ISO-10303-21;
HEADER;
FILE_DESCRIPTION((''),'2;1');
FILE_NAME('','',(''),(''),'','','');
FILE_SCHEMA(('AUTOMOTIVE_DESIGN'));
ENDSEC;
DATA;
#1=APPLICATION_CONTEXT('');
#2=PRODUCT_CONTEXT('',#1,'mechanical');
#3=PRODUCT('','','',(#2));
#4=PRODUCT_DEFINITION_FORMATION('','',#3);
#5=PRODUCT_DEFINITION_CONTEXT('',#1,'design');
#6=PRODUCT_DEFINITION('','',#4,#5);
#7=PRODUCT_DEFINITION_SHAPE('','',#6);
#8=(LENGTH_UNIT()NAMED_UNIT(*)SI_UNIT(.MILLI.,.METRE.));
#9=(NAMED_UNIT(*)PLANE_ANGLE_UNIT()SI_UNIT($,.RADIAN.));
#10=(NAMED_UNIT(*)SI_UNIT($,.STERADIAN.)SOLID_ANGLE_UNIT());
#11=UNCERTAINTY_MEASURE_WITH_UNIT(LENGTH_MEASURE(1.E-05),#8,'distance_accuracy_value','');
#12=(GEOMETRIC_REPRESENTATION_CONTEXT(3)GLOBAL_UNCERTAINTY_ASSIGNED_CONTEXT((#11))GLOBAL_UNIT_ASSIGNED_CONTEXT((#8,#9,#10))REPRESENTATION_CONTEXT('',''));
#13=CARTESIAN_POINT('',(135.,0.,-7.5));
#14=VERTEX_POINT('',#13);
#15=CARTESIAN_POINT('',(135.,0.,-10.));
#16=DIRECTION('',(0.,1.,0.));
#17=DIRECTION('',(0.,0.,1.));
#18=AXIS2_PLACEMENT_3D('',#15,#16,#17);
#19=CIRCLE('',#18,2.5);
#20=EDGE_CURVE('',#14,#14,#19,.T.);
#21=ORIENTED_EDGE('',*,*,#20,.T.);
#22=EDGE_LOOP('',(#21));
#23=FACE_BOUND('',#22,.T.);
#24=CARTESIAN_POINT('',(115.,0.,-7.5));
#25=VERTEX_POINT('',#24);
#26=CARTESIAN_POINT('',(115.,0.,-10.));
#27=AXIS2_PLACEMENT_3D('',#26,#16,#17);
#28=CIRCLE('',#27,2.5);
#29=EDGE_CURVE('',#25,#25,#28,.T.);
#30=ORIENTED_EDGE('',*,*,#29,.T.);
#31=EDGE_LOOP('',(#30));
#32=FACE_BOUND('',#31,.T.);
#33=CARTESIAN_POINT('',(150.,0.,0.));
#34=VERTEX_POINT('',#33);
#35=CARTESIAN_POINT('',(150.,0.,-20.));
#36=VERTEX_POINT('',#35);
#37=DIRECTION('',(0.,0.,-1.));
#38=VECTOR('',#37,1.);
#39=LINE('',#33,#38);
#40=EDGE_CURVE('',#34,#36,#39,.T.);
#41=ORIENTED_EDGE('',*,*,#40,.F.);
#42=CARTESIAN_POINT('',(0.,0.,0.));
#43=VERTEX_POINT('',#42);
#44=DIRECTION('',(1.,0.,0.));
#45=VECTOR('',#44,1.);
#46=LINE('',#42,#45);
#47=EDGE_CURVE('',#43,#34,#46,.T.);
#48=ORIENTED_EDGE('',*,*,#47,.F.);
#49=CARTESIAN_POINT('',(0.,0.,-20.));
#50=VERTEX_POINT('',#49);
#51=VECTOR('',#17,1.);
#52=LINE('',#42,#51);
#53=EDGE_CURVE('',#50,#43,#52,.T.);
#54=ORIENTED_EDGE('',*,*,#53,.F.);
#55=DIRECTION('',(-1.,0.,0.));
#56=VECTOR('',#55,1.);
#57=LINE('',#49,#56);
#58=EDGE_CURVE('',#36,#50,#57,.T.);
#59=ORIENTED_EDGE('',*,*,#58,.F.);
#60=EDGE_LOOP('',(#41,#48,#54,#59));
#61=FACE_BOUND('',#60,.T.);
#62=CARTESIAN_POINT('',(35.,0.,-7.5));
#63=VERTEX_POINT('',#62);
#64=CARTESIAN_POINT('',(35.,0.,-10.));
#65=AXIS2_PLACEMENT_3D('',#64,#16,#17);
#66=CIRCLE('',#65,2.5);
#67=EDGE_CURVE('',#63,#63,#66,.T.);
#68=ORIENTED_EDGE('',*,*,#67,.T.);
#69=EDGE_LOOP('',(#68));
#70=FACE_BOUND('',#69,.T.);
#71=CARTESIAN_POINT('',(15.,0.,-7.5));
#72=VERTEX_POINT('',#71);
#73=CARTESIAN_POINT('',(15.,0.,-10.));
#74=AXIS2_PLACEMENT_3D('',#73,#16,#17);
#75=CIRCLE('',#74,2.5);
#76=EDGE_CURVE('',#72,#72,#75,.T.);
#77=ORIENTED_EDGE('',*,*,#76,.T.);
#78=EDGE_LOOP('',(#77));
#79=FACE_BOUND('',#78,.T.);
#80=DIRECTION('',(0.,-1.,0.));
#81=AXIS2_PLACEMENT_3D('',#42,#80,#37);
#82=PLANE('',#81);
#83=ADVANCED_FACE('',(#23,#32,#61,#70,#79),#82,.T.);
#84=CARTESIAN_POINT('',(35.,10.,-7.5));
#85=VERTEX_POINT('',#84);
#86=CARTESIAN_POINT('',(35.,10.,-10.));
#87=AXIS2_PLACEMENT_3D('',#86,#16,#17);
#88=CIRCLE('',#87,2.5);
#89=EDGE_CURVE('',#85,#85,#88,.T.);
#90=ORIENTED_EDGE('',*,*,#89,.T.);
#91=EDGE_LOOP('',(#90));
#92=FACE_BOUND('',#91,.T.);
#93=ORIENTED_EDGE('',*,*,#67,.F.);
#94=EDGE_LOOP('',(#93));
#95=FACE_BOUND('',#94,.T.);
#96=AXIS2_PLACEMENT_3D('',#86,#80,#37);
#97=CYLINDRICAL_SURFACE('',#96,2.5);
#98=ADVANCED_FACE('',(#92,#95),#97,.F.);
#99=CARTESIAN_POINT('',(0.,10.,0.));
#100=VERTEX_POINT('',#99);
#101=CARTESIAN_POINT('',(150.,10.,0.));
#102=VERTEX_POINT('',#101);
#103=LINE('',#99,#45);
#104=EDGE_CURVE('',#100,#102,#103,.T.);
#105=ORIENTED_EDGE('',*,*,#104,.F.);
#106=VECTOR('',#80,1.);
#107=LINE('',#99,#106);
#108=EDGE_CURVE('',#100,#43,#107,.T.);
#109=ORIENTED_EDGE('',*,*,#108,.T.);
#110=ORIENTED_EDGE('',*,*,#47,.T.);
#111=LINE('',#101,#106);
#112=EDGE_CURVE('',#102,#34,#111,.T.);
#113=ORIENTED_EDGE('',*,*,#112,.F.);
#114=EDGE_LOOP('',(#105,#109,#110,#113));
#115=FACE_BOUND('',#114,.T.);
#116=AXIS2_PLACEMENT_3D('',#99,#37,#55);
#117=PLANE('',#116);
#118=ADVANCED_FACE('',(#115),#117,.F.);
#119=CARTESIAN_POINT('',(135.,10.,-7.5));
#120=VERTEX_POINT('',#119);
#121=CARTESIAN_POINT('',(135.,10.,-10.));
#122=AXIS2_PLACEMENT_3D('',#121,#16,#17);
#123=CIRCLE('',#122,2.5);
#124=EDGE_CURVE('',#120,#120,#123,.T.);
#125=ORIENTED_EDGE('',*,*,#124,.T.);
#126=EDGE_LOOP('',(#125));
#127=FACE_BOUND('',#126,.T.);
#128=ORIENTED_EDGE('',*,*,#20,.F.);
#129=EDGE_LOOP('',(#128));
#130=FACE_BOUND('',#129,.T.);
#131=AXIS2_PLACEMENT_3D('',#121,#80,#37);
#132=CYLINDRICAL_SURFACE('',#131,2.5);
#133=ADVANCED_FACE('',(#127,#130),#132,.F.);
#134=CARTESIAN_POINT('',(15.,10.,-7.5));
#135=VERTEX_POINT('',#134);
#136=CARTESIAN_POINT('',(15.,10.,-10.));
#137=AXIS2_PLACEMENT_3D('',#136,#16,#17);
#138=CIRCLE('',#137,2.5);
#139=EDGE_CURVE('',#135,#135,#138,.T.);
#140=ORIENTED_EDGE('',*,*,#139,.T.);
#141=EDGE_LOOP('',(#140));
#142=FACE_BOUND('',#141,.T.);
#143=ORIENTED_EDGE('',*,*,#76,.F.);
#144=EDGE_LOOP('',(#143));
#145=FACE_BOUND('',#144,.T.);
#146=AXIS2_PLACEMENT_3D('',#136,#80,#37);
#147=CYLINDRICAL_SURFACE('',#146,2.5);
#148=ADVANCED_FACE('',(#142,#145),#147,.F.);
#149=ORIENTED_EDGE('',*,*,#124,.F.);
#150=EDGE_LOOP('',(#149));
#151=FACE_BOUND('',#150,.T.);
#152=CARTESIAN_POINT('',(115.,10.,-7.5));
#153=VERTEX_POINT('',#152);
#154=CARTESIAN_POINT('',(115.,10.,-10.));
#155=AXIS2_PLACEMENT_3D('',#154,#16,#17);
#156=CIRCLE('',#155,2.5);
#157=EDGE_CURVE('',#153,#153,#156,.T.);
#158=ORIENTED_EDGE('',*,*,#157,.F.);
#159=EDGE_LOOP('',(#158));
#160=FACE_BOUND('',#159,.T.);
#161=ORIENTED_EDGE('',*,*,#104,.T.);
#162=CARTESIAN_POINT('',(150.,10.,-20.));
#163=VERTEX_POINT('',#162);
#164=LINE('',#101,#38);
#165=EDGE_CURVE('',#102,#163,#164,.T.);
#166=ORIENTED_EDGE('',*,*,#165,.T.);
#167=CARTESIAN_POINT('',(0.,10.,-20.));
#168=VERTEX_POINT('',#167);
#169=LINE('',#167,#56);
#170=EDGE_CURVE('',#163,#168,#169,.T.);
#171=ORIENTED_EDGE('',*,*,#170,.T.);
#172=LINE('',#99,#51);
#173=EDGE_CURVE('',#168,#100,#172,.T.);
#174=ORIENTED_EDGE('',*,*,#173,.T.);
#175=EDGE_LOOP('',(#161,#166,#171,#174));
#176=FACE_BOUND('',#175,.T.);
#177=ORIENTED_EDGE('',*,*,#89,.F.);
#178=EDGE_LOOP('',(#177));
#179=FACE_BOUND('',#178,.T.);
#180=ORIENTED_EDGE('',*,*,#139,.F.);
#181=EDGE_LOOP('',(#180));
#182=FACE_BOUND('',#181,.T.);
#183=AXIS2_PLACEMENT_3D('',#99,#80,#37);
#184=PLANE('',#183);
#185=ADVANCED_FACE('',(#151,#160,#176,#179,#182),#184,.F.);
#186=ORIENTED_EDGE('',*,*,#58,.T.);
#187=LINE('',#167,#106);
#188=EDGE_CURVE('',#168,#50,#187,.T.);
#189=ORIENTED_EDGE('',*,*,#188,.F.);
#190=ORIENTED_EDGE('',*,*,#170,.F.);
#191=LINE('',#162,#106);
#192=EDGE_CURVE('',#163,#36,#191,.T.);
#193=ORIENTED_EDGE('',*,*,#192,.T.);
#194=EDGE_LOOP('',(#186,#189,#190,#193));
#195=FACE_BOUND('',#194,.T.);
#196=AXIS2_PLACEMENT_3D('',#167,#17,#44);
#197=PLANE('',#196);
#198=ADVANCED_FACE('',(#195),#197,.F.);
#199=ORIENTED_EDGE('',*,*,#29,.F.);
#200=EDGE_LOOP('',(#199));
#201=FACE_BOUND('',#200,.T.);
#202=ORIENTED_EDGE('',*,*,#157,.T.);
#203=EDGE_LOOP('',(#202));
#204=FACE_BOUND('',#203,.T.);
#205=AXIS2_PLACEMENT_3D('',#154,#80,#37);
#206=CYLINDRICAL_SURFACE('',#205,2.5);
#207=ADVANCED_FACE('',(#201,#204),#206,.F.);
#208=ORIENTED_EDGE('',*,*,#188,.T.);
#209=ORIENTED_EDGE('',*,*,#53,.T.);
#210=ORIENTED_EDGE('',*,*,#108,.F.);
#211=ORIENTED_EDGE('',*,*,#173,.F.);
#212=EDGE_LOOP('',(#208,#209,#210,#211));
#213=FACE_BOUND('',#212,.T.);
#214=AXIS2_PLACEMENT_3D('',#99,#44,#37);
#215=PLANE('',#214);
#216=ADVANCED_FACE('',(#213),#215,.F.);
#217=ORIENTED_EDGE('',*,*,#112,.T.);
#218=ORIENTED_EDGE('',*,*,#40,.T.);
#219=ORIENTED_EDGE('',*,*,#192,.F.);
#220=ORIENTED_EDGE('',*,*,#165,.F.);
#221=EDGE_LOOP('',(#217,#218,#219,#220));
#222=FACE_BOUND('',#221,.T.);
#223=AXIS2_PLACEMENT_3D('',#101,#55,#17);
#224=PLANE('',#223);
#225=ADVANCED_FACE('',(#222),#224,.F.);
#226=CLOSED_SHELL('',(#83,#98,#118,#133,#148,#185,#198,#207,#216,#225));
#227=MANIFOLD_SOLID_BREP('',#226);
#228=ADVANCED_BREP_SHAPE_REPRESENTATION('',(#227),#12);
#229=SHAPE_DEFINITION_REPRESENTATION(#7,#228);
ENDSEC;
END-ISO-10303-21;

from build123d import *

# Parameters (mm, degrees)
SKETCH1_W           = 150
SKETCH1_H           = 20
SKETCH1_R           = 2.5
BOSS_EXTRUDE1_DEPTH = 10


with BuildPart() as part:
    # Sketch1 → Boss-Extrude1 (new body)
    with BuildSketch(Plane(origin=(0, 0, 0), x_dir=(1, 0, 0), z_dir=(0, 1, 0))):
        with Locations((75, 10)):
            Rectangle(SKETCH1_W, SKETCH1_H)
        with Locations((15, 10)):
            Circle(SKETCH1_R, mode=Mode.SUBTRACT)
        with Locations((35, 10)):
            Circle(SKETCH1_R, mode=Mode.SUBTRACT)
        with Locations((115, 10)):
            Circle(SKETCH1_R, mode=Mode.SUBTRACT)
        with Locations((135, 10)):
            Circle(SKETCH1_R, mode=Mode.SUBTRACT)
    extrude(amount=BOSS_EXTRUDE1_DEPTH)


solid = part.part
